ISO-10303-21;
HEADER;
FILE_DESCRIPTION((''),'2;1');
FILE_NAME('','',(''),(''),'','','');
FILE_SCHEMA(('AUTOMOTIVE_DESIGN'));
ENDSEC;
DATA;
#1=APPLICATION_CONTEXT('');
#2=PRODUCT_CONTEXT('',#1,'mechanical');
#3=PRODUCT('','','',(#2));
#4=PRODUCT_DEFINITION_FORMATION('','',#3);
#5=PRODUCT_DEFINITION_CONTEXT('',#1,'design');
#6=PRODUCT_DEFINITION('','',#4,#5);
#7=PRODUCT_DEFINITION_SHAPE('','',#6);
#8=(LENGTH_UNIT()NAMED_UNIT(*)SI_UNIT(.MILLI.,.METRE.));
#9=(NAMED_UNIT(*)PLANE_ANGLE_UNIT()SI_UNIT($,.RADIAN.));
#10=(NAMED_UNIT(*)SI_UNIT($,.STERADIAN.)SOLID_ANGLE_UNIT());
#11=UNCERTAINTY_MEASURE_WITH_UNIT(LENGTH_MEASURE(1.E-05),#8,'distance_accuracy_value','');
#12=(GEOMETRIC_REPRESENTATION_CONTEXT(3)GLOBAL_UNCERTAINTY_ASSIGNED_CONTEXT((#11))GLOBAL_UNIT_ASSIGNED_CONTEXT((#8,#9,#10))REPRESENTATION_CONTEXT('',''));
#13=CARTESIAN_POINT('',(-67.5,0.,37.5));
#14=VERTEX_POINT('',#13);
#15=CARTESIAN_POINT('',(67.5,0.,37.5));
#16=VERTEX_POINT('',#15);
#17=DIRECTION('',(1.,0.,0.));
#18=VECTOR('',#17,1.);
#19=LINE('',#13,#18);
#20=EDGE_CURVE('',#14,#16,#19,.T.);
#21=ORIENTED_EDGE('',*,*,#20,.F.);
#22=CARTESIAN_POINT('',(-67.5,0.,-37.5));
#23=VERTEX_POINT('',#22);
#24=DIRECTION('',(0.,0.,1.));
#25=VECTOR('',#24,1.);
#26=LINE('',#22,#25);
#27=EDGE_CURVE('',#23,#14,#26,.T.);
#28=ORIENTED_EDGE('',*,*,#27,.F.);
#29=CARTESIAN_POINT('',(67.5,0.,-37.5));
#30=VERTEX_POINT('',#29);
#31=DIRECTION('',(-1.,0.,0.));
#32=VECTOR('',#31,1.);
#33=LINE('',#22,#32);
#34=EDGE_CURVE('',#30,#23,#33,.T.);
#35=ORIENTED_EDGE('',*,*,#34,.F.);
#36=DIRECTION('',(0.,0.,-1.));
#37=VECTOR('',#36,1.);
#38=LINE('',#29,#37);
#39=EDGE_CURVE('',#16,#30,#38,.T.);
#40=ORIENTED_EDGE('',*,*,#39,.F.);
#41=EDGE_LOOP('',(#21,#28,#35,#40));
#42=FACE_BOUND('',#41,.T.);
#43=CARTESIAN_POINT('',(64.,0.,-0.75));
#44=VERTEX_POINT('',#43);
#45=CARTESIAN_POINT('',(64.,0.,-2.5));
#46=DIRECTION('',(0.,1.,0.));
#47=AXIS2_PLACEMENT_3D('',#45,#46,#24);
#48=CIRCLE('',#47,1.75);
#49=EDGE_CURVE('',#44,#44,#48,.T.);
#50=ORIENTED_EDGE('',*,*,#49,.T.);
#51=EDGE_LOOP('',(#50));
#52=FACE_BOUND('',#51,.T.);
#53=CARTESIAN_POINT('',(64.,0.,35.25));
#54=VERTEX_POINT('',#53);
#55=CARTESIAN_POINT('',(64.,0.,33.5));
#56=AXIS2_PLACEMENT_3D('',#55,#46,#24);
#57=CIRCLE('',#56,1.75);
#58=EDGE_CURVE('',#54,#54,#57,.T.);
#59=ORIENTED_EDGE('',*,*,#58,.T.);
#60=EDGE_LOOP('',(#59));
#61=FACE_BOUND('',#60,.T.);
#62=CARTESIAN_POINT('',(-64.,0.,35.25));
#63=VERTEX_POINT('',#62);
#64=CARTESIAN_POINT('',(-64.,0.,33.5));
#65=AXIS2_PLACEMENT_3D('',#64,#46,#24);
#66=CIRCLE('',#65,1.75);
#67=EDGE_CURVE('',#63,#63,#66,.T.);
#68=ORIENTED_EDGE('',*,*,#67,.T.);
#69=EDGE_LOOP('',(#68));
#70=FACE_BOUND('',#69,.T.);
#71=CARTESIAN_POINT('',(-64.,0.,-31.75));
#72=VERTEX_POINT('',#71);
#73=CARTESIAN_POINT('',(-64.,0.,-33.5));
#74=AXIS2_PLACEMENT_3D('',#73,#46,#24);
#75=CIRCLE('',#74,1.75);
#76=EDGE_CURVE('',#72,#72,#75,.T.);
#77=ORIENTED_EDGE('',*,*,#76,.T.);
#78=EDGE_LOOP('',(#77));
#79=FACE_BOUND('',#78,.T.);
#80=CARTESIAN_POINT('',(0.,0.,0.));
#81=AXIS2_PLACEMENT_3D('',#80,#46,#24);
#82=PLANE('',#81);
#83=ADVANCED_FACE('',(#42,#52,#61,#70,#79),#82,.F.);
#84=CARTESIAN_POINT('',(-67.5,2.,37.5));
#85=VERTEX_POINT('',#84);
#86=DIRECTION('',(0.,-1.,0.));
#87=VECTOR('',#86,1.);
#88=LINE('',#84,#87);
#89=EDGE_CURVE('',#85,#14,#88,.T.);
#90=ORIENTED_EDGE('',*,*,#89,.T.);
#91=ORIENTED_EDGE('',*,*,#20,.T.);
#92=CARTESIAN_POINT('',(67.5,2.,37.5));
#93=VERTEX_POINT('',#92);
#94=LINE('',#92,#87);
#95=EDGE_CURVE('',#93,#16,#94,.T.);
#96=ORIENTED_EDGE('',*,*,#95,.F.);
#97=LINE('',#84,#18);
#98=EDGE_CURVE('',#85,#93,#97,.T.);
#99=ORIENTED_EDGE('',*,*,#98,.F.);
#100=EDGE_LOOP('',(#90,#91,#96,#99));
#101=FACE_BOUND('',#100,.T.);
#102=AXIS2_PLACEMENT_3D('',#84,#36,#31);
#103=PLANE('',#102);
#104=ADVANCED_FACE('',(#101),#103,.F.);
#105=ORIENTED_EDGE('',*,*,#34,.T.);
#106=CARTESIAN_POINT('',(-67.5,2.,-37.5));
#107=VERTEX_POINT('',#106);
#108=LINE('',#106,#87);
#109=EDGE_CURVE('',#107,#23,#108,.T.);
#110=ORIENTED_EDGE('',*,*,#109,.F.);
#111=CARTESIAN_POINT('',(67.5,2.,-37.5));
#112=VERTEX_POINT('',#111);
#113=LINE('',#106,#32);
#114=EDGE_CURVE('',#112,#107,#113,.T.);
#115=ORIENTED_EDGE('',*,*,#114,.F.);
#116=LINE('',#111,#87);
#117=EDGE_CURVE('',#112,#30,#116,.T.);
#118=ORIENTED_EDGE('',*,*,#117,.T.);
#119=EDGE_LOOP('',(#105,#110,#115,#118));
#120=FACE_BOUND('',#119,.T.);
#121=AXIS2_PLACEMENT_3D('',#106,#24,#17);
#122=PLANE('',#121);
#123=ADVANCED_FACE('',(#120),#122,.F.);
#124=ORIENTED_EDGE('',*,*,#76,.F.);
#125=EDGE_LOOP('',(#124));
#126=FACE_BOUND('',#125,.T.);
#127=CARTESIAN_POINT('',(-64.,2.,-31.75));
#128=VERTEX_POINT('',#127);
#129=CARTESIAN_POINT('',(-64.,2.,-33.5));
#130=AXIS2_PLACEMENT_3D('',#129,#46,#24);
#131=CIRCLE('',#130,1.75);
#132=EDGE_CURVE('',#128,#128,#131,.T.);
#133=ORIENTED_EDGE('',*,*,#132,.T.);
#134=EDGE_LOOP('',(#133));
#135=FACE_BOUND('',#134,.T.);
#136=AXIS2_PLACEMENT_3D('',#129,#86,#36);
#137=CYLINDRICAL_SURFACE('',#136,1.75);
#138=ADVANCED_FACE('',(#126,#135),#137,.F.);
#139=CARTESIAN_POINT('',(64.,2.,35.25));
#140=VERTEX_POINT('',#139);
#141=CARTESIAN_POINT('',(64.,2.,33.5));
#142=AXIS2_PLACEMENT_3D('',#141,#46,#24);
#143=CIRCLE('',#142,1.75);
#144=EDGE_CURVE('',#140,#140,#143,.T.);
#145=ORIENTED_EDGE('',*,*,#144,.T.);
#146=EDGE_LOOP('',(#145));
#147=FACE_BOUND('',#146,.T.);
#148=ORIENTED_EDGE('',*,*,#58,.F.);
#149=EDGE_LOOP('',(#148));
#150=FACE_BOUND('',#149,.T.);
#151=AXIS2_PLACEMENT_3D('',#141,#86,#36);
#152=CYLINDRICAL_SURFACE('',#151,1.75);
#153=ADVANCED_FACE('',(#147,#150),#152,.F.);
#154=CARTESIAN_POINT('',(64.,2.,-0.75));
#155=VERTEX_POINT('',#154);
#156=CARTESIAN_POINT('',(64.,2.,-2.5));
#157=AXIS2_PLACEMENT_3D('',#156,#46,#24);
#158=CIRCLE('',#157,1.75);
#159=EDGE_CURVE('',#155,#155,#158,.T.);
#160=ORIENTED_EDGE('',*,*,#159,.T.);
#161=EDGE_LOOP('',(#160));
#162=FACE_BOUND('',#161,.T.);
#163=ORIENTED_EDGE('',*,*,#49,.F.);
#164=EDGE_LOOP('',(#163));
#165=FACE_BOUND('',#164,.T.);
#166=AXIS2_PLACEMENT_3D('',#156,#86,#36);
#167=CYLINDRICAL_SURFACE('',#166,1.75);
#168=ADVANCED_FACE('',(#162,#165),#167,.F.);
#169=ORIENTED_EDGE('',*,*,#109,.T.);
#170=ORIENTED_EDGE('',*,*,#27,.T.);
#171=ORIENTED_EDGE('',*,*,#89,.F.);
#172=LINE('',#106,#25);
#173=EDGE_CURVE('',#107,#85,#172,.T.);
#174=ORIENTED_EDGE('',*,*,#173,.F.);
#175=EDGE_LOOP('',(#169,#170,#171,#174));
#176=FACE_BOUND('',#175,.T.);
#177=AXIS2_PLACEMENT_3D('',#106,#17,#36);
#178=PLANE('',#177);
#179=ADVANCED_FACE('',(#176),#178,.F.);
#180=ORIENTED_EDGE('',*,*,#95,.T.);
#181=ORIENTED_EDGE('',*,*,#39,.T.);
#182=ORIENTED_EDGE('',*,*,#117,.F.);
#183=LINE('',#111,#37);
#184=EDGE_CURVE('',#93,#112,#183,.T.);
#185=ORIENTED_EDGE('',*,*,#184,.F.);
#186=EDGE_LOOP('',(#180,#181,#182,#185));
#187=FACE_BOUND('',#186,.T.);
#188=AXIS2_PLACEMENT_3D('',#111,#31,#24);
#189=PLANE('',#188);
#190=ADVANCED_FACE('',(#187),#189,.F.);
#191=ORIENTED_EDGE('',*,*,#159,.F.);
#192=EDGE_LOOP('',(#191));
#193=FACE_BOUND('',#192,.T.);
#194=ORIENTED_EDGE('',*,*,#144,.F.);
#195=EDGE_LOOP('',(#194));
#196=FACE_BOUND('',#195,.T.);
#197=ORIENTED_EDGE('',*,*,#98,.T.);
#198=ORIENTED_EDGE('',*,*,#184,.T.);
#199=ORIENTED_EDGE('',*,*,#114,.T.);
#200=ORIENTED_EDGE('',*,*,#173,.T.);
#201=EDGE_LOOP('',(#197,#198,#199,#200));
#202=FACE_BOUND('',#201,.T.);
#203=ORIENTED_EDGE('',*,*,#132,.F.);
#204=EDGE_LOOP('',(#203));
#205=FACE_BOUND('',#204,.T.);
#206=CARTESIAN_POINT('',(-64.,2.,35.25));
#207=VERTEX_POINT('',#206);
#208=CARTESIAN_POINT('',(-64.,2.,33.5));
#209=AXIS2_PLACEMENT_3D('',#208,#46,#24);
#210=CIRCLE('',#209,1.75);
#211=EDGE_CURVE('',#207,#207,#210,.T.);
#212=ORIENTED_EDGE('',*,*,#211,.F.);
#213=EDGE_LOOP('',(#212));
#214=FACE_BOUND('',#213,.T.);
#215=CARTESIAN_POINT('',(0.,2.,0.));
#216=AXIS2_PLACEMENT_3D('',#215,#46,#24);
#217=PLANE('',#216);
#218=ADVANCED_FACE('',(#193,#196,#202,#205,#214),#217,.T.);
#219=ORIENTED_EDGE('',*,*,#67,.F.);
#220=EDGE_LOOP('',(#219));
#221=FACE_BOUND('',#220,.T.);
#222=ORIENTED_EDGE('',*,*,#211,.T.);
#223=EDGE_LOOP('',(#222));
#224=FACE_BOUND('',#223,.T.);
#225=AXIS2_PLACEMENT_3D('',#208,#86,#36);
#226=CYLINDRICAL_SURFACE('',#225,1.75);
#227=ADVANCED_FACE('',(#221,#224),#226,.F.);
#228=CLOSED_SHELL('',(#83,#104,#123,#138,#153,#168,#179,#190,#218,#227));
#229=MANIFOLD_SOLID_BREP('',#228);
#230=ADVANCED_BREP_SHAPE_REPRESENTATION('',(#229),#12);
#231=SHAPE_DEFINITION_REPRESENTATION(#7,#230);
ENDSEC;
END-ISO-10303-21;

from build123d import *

# Parameters (mm, degrees)
SKETCH_1_W        = 135
SKETCH_1_H        = 75
SKETCH_1_R        = 1.75
EXTRUDE_372_DEPTH = 2


with BuildPart() as part:
    # Эскиз1 → Extrude 372 (new body)
    with BuildSketch(Plane(origin=(0, 0, 0), x_dir=(1, 0, 0), z_dir=(0, 1, 0))):
        Rectangle(SKETCH_1_W, SKETCH_1_H)
        with Locations(Location((-64, -33.5, 0), (0, 0, 270))):
            Circle(SKETCH_1_R, mode=Mode.SUBTRACT)
        with Locations(Location((-64, 33.5, 0), (0, 0, 270))):
            Circle(SKETCH_1_R, mode=Mode.SUBTRACT)
        with Locations(Location((64, -33.5, 0), (0, 0, 270))):
            Circle(SKETCH_1_R, mode=Mode.SUBTRACT)
        with Locations(Location((64, 2.5, 0), (0, 0, 270))):
            Circle(SKETCH_1_R, mode=Mode.SUBTRACT)
    extrude(amount=EXTRUDE_372_DEPTH)


solid = part.part
